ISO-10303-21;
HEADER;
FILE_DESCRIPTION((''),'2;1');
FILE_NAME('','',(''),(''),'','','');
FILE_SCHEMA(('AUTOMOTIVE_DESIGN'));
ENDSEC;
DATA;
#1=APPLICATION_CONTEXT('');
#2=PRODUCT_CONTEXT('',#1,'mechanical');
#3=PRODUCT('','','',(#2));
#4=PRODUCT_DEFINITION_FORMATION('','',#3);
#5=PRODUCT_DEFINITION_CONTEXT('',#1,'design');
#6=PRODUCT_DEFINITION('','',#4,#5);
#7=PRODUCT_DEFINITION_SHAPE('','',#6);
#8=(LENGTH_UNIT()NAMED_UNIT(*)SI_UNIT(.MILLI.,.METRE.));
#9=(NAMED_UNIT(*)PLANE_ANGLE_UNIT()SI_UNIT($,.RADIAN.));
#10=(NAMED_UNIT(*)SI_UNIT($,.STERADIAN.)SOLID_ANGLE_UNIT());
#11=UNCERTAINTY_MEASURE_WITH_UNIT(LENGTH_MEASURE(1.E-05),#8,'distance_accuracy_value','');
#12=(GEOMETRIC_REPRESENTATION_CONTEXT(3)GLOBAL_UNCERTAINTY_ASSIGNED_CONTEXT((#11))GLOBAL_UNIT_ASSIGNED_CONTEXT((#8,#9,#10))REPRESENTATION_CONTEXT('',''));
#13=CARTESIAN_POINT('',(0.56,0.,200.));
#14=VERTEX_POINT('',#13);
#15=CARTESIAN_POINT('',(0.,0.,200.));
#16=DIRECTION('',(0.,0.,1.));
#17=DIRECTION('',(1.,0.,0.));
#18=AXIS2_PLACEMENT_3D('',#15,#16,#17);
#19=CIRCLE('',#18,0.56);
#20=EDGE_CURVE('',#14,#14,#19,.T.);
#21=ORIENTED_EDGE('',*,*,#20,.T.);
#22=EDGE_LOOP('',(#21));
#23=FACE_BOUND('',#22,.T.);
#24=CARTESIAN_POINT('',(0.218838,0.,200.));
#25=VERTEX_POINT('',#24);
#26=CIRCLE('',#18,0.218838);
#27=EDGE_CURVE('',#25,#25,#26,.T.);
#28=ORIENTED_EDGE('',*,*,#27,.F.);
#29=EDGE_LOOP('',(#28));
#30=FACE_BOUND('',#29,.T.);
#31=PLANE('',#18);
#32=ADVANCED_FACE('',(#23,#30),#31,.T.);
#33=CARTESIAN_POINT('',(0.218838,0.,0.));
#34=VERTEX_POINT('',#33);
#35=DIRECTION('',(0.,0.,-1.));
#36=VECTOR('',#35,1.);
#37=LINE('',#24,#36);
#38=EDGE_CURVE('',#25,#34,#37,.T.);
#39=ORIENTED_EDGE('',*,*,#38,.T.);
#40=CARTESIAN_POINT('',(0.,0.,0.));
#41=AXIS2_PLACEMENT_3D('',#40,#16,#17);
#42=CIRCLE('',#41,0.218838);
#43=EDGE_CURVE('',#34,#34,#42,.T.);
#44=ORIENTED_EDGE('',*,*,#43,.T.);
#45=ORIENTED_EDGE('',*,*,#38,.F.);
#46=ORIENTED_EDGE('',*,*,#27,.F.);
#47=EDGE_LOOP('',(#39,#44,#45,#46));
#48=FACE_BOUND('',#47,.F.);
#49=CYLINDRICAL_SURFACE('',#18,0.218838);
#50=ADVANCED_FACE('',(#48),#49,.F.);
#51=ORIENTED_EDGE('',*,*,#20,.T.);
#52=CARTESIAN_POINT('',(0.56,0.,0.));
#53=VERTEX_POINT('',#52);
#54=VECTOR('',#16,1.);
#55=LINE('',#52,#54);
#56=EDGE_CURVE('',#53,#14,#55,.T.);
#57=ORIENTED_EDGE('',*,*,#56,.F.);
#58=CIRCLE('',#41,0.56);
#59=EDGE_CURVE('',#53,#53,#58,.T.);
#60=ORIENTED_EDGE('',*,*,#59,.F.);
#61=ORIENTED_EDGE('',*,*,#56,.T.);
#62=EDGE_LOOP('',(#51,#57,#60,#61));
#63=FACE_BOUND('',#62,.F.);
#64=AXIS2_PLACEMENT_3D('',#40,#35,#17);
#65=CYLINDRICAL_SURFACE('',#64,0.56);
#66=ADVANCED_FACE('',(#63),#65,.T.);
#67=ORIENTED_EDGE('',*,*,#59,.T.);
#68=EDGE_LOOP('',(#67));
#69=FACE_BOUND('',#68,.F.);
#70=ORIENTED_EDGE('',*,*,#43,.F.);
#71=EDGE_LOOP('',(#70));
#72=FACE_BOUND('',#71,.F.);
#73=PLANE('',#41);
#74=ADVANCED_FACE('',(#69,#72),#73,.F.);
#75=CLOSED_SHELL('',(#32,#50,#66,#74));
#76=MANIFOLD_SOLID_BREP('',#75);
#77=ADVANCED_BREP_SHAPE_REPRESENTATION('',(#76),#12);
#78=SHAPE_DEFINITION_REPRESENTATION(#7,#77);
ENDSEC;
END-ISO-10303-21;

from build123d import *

# Parameters (mm, degrees)
CYLINDER_R     = 0.56
CYLINDER_DEPTH = 200
SKETCH_R       = 0.218838
POCKET_DEPTH   = 200.001


with BuildPart() as part:
    # Cylinder → Cylinder (join)
    with BuildSketch(Plane.XY):
        Circle(CYLINDER_R)
    extrude(amount=CYLINDER_DEPTH)

    # Sketch (on Face3 of Cylinder) → Pocket (cut, through all)
    with BuildSketch(Plane.XY.offset(200)):
        Circle(SKETCH_R)
    extrude(amount=-POCKET_DEPTH, mode=Mode.SUBTRACT)


solid = part.part
